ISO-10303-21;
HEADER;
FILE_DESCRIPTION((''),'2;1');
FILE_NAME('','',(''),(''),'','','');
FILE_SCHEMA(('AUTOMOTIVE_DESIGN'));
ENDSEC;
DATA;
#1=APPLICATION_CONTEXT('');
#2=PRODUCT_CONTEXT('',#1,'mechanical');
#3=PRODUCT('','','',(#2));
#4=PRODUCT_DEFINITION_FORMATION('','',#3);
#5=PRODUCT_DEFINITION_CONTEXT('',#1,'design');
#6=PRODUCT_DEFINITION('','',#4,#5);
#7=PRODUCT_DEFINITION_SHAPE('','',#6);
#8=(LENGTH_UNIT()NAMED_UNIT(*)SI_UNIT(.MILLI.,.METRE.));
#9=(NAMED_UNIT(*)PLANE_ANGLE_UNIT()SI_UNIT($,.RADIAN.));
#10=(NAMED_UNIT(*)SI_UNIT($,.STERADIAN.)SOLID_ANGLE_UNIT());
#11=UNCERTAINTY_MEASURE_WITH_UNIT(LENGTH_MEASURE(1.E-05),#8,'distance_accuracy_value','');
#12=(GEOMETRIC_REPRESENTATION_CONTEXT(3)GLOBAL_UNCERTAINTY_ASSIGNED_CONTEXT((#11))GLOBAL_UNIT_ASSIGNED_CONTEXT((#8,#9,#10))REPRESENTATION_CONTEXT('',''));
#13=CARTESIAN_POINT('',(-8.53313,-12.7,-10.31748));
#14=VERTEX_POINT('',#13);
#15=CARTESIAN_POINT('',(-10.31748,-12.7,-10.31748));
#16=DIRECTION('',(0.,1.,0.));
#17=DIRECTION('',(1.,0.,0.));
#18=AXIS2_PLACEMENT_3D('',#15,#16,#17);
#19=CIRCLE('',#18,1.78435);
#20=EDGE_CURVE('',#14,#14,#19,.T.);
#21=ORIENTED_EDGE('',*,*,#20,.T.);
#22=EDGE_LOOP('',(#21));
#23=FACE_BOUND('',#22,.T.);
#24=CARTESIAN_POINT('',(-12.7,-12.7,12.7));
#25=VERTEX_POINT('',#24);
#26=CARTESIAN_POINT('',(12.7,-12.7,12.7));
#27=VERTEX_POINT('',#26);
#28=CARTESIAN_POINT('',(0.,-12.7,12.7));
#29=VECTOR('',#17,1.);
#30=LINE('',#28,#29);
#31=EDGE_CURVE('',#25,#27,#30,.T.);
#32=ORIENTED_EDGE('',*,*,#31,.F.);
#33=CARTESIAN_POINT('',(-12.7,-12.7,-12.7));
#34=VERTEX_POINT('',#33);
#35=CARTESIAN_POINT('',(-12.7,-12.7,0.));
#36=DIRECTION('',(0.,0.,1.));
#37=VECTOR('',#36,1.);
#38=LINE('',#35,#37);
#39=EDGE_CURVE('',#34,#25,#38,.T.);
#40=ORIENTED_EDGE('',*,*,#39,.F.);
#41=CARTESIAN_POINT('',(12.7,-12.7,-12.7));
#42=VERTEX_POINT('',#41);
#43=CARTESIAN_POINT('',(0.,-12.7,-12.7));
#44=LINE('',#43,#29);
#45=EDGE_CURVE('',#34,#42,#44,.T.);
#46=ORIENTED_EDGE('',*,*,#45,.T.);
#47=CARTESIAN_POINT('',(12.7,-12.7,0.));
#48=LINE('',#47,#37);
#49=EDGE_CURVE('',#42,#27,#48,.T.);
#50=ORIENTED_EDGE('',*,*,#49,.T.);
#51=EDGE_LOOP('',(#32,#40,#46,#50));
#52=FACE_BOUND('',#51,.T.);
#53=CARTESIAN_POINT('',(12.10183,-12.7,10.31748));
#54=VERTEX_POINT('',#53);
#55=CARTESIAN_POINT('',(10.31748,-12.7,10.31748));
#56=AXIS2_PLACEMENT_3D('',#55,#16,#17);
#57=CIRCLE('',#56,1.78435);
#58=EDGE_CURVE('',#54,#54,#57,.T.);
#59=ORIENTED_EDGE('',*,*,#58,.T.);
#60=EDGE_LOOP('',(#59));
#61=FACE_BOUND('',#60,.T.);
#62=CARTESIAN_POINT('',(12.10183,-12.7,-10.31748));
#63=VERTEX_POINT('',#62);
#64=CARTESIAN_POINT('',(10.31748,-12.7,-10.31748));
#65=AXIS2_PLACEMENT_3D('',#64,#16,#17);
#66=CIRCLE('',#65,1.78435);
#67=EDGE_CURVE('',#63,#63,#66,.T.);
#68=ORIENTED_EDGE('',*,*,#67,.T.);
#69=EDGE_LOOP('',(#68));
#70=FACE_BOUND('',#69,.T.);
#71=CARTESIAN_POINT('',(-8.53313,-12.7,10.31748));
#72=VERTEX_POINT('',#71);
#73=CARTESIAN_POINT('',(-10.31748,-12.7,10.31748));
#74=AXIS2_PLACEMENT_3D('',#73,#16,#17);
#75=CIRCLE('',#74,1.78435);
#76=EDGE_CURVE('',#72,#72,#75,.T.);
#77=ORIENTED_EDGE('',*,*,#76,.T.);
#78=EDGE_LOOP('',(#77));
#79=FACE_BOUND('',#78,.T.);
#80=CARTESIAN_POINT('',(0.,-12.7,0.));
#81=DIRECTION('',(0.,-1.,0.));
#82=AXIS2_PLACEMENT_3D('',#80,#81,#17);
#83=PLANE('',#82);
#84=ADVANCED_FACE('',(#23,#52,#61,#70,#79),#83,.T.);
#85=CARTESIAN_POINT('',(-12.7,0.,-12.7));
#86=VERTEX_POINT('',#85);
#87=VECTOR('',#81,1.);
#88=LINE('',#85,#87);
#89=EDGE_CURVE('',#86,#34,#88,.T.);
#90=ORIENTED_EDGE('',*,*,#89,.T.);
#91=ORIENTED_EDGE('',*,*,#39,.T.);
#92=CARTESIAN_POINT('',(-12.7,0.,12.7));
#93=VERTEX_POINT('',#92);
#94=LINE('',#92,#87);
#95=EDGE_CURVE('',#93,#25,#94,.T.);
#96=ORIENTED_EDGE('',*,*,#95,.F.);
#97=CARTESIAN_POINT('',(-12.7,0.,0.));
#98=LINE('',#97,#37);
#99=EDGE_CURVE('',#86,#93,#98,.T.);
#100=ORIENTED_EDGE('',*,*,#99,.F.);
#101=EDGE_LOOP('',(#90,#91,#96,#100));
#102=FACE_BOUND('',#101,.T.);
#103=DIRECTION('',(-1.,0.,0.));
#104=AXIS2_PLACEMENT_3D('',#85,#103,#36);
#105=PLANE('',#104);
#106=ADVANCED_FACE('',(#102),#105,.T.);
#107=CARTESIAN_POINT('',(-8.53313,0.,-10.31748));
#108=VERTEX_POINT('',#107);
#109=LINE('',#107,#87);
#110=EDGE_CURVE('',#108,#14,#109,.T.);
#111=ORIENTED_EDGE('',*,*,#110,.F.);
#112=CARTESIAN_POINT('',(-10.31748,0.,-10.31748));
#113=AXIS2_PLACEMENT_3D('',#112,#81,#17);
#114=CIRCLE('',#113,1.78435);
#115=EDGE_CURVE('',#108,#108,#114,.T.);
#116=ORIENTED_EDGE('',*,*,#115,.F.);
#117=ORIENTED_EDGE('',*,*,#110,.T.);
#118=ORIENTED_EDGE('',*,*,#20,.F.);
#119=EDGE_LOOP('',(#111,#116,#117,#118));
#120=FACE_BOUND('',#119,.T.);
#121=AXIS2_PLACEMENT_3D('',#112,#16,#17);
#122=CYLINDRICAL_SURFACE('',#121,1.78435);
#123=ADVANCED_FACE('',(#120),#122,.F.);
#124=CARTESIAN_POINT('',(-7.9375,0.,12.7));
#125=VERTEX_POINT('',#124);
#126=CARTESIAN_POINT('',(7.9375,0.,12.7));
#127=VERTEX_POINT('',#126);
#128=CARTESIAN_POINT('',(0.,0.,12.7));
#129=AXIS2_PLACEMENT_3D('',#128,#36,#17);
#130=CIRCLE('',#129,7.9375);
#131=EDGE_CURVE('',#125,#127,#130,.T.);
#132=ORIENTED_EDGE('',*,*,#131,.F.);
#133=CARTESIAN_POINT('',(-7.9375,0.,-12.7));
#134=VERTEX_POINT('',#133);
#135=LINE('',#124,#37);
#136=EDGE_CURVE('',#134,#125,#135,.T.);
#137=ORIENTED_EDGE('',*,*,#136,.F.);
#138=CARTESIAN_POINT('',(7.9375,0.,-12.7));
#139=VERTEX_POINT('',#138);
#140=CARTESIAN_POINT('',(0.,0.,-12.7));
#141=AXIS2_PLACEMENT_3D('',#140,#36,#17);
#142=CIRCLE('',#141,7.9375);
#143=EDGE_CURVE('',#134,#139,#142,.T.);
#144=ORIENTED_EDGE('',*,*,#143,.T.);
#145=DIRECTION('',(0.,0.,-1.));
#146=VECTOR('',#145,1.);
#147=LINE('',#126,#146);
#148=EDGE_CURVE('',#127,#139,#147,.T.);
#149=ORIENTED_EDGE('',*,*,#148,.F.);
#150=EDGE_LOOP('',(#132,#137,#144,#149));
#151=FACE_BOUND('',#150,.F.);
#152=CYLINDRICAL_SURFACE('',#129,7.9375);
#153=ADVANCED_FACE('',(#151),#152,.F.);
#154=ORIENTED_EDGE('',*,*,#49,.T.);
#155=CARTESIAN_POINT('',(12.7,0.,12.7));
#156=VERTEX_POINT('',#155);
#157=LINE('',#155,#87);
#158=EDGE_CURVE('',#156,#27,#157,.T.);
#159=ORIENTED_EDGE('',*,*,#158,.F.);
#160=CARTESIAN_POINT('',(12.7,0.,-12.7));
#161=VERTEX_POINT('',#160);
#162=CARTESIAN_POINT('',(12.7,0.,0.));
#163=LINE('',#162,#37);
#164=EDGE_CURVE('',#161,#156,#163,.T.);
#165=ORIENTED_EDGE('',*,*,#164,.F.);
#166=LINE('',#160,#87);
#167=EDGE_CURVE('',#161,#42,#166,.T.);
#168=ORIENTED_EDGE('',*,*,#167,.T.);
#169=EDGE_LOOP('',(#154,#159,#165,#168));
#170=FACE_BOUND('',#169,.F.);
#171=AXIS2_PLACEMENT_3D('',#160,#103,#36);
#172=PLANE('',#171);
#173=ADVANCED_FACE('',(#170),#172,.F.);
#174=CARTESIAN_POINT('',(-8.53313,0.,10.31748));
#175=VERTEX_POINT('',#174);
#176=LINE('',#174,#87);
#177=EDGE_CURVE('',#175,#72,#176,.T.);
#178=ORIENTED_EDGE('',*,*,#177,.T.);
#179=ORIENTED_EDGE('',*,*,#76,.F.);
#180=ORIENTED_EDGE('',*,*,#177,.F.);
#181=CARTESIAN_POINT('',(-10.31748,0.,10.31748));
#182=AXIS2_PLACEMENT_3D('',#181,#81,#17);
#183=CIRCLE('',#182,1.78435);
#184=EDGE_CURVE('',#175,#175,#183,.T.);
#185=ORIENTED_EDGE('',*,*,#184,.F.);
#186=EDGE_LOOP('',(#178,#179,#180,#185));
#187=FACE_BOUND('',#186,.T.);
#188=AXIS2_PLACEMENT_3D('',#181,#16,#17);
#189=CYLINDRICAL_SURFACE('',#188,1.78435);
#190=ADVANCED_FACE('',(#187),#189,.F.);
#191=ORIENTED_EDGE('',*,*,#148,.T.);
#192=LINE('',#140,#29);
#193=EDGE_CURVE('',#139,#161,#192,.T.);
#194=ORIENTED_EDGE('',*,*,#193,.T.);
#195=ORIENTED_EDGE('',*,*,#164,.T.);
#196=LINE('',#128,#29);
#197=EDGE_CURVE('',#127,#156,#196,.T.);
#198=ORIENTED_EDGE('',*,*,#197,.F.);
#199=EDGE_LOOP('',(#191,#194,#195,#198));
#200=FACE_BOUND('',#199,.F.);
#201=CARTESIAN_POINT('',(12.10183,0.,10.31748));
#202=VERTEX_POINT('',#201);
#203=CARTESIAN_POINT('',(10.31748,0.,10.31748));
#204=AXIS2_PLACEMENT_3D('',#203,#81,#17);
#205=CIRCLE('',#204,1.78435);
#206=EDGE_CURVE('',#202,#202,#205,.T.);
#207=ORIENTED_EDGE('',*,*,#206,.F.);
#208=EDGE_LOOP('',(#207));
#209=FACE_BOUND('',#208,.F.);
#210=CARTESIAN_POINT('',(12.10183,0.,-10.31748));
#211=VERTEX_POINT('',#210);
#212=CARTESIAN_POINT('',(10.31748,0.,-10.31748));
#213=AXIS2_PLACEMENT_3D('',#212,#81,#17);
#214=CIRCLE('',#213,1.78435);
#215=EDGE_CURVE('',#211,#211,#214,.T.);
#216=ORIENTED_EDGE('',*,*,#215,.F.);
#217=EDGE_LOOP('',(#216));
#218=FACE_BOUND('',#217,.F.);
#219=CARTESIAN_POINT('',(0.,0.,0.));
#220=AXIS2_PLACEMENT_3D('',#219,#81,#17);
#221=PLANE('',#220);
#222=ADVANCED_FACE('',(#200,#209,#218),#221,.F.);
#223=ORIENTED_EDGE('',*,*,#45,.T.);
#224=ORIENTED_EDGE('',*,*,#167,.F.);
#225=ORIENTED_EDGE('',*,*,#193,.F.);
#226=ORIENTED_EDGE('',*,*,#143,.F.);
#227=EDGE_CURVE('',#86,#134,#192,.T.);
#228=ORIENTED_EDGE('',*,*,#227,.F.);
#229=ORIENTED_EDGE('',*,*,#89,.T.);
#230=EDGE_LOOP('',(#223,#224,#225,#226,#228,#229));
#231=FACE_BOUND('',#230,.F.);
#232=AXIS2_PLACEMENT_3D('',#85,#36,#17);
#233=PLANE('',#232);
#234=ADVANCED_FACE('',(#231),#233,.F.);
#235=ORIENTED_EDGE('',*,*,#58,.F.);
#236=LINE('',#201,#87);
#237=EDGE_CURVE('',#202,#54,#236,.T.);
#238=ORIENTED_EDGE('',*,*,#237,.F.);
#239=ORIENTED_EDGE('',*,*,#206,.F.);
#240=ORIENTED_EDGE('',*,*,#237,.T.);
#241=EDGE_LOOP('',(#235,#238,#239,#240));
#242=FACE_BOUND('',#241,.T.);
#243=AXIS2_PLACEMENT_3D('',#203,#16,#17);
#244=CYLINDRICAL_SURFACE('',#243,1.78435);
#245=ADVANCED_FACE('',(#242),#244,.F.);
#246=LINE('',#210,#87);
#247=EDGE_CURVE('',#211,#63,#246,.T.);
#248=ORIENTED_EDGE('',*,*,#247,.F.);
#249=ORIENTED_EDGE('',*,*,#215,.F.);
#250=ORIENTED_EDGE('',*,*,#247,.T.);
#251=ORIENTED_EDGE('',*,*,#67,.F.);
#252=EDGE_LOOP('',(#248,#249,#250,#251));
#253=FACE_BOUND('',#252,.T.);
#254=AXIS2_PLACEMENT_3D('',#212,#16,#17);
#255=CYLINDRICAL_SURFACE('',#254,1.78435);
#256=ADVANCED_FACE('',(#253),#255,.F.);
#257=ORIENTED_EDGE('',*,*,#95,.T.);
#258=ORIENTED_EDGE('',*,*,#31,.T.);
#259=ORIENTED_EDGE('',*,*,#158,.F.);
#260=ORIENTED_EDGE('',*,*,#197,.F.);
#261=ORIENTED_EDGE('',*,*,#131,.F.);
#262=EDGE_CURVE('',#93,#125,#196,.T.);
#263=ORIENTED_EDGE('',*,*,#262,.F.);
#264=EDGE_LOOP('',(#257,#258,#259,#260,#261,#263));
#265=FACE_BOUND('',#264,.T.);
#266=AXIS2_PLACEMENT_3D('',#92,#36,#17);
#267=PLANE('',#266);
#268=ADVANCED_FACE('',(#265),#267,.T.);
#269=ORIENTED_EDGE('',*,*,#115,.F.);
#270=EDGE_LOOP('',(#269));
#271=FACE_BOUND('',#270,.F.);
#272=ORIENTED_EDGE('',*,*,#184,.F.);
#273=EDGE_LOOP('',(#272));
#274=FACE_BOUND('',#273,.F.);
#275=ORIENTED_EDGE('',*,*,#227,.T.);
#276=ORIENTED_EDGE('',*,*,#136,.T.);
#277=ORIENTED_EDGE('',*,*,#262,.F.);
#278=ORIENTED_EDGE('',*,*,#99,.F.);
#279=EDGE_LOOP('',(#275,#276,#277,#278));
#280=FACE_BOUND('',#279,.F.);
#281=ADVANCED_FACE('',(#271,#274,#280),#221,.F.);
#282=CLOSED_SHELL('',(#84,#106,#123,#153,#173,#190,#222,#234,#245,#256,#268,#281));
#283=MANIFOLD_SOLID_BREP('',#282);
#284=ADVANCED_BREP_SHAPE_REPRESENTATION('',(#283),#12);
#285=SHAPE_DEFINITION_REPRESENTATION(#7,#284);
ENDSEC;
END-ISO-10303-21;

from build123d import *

# Parameters (mm, degrees)
F0_W     = 25.4
F0_H     = 25.4
F1_DEPTH = 12.7
F3_DEPTH = 25.401
F4_R     = 1.78435
F5_DEPTH = 12.701


with BuildPart() as f1:
    # F0 (on Front) → F1 (new body)
    with BuildSketch(Plane.XZ):
        Rectangle(F0_W, F0_H)
    extrude(amount=F1_DEPTH)

    # F2 (on face) → F3 (cut, through all)
    with BuildSketch(Plane.XY.offset(12.7)):
        with BuildLine():
            ThreePointArc((-7.9375, 0), (0, -7.9375), (7.9375, 0))
            Line((7.9375, 0), (-7.9375, 0))
        make_face()
        with BuildLine():
            Line((-7.9375, 0), (7.9375, 0))
            ThreePointArc((7.9375, 0), (0, 7.9375), (-7.9375, 0))
        make_face()
    extrude(amount=-F3_DEPTH, mode=Mode.SUBTRACT)

    # F4 (on Front) → F5 (cut, through all)
    with BuildSketch(Plane.XZ):
        with Locations((-10.31748, 10.31748)):
            Circle(F4_R)
        with Locations((-10.31748, -10.31748)):
            Circle(F4_R)
        with Locations((10.31748, -10.31748)):
            Circle(F4_R)
        with Locations((10.31748, 10.31748)):
            Circle(F4_R)
    extrude(amount=F5_DEPTH, mode=Mode.SUBTRACT)


solid = f1.part
